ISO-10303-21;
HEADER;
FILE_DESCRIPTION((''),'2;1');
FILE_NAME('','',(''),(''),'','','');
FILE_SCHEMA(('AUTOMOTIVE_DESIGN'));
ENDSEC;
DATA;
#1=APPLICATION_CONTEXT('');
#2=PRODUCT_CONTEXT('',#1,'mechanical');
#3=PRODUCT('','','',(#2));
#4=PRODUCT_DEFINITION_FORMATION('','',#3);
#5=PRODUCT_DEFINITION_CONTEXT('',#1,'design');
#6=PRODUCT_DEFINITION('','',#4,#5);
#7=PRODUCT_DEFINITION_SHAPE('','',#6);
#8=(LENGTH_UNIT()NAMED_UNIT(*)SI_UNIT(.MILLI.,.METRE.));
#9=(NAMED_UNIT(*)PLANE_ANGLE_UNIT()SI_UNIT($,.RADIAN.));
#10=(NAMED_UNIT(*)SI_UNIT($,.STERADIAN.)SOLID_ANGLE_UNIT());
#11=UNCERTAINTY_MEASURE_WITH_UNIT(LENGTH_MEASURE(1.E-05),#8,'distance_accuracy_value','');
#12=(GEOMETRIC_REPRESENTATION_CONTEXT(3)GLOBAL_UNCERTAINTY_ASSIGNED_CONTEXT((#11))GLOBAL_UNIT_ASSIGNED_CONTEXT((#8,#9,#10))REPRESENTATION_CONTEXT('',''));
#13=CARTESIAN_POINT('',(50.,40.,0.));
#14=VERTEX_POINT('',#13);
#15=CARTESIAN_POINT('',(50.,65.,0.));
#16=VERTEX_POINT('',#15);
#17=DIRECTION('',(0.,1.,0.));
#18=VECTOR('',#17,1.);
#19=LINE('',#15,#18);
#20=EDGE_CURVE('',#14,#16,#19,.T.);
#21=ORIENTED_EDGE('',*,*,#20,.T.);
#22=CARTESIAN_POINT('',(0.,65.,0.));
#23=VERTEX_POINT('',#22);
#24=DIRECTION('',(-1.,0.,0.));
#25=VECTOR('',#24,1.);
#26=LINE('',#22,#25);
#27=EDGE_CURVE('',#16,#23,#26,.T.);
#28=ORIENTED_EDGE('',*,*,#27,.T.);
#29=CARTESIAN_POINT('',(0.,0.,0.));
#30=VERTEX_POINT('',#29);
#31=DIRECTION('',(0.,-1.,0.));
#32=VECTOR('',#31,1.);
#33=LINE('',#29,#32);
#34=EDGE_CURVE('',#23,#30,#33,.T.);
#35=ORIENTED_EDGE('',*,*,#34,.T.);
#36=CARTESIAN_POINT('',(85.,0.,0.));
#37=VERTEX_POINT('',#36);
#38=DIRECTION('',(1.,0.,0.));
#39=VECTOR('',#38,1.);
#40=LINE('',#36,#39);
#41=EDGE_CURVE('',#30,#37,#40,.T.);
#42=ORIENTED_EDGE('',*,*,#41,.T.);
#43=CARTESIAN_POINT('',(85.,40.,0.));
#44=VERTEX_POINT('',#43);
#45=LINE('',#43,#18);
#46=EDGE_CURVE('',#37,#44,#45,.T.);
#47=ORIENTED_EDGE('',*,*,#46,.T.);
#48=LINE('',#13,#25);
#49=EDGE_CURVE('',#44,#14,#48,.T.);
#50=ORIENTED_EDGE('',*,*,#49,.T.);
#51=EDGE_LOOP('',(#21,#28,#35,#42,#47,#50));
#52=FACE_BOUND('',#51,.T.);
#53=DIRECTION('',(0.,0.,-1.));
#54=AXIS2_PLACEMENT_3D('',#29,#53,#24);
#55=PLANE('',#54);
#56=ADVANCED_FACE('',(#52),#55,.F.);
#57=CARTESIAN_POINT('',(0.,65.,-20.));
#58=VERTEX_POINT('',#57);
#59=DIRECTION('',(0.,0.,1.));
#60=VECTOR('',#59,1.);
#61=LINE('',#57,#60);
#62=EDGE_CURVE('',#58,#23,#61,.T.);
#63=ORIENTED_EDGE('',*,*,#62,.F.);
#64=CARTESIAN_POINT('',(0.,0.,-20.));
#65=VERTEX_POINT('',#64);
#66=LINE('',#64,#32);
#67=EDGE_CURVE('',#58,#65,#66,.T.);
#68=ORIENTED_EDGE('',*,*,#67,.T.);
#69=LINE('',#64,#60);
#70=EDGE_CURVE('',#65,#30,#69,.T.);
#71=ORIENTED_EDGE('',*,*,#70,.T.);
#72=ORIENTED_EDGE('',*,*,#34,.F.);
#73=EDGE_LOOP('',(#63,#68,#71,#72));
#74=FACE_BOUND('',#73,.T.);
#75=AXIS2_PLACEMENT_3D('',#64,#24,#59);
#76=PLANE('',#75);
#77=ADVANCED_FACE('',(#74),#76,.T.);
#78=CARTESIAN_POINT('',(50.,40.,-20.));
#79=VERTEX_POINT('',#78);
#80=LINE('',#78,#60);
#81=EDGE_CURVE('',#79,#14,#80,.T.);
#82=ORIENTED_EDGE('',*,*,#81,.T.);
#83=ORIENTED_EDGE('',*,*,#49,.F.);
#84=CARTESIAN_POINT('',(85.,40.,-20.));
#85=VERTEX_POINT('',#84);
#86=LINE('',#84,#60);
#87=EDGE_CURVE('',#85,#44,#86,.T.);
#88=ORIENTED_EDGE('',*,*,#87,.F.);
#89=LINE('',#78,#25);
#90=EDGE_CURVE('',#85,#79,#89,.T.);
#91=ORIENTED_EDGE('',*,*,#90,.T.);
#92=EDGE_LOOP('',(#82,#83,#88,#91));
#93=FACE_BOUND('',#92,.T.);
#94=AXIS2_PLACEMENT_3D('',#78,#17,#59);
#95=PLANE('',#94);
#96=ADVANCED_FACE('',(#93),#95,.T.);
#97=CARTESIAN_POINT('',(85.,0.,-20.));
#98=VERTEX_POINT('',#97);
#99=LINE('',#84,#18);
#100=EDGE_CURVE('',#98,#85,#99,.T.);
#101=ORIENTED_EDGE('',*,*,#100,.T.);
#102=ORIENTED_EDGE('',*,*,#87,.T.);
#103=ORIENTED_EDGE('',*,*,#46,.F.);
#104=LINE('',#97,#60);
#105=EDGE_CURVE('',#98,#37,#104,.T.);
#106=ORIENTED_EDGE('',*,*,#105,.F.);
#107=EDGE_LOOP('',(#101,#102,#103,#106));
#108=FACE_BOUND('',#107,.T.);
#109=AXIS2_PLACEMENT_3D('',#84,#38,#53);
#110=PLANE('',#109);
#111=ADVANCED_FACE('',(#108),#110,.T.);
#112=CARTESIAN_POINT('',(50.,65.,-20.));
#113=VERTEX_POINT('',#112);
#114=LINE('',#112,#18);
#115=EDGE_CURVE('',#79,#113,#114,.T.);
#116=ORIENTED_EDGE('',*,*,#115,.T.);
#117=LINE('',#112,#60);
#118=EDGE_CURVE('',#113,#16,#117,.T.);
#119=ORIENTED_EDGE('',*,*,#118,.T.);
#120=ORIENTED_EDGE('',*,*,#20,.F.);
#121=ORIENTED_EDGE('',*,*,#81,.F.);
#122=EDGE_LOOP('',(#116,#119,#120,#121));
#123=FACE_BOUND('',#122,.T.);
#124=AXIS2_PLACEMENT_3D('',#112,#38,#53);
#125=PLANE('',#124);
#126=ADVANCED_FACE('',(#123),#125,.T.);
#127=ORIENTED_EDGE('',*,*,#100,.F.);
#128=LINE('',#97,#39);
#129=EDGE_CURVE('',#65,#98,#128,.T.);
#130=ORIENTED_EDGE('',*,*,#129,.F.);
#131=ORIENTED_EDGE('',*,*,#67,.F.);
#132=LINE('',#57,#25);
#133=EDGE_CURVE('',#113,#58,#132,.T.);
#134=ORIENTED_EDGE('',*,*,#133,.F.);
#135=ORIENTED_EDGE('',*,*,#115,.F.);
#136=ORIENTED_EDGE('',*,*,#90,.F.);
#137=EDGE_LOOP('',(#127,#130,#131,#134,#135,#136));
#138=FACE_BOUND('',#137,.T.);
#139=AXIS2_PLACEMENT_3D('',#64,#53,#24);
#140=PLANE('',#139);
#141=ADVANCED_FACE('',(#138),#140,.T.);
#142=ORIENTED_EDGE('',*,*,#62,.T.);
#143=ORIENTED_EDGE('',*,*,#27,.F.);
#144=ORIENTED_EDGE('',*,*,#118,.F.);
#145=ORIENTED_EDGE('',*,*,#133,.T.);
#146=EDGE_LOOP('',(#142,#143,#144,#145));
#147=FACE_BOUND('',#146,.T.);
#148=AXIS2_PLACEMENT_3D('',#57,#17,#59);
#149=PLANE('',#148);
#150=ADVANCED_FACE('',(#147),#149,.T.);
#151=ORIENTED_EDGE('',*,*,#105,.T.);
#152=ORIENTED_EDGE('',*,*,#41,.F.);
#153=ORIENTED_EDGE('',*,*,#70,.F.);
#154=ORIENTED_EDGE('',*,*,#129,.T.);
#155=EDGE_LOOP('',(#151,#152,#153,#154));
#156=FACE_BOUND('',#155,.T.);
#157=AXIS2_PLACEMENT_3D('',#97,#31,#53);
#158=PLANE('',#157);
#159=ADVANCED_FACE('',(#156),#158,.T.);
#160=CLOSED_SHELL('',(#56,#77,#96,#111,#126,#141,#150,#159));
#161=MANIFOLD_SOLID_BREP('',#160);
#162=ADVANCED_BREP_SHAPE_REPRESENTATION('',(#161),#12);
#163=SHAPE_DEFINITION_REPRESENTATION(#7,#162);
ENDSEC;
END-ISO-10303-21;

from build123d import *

# Parameters (mm, degrees)
RESSALTO_EXTRUS_O2_DEPTH = 20


with BuildPart() as part:
    # Esboço1 → Ressalto-extrusão2 (new body)
    with BuildSketch(Plane.XY):
        Polygon((0, 0), (0, 65), (50, 65), (50, 40), (85, 40), (85, 0), align=None)
    extrude(amount=-RESSALTO_EXTRUS_O2_DEPTH)


solid = part.part
